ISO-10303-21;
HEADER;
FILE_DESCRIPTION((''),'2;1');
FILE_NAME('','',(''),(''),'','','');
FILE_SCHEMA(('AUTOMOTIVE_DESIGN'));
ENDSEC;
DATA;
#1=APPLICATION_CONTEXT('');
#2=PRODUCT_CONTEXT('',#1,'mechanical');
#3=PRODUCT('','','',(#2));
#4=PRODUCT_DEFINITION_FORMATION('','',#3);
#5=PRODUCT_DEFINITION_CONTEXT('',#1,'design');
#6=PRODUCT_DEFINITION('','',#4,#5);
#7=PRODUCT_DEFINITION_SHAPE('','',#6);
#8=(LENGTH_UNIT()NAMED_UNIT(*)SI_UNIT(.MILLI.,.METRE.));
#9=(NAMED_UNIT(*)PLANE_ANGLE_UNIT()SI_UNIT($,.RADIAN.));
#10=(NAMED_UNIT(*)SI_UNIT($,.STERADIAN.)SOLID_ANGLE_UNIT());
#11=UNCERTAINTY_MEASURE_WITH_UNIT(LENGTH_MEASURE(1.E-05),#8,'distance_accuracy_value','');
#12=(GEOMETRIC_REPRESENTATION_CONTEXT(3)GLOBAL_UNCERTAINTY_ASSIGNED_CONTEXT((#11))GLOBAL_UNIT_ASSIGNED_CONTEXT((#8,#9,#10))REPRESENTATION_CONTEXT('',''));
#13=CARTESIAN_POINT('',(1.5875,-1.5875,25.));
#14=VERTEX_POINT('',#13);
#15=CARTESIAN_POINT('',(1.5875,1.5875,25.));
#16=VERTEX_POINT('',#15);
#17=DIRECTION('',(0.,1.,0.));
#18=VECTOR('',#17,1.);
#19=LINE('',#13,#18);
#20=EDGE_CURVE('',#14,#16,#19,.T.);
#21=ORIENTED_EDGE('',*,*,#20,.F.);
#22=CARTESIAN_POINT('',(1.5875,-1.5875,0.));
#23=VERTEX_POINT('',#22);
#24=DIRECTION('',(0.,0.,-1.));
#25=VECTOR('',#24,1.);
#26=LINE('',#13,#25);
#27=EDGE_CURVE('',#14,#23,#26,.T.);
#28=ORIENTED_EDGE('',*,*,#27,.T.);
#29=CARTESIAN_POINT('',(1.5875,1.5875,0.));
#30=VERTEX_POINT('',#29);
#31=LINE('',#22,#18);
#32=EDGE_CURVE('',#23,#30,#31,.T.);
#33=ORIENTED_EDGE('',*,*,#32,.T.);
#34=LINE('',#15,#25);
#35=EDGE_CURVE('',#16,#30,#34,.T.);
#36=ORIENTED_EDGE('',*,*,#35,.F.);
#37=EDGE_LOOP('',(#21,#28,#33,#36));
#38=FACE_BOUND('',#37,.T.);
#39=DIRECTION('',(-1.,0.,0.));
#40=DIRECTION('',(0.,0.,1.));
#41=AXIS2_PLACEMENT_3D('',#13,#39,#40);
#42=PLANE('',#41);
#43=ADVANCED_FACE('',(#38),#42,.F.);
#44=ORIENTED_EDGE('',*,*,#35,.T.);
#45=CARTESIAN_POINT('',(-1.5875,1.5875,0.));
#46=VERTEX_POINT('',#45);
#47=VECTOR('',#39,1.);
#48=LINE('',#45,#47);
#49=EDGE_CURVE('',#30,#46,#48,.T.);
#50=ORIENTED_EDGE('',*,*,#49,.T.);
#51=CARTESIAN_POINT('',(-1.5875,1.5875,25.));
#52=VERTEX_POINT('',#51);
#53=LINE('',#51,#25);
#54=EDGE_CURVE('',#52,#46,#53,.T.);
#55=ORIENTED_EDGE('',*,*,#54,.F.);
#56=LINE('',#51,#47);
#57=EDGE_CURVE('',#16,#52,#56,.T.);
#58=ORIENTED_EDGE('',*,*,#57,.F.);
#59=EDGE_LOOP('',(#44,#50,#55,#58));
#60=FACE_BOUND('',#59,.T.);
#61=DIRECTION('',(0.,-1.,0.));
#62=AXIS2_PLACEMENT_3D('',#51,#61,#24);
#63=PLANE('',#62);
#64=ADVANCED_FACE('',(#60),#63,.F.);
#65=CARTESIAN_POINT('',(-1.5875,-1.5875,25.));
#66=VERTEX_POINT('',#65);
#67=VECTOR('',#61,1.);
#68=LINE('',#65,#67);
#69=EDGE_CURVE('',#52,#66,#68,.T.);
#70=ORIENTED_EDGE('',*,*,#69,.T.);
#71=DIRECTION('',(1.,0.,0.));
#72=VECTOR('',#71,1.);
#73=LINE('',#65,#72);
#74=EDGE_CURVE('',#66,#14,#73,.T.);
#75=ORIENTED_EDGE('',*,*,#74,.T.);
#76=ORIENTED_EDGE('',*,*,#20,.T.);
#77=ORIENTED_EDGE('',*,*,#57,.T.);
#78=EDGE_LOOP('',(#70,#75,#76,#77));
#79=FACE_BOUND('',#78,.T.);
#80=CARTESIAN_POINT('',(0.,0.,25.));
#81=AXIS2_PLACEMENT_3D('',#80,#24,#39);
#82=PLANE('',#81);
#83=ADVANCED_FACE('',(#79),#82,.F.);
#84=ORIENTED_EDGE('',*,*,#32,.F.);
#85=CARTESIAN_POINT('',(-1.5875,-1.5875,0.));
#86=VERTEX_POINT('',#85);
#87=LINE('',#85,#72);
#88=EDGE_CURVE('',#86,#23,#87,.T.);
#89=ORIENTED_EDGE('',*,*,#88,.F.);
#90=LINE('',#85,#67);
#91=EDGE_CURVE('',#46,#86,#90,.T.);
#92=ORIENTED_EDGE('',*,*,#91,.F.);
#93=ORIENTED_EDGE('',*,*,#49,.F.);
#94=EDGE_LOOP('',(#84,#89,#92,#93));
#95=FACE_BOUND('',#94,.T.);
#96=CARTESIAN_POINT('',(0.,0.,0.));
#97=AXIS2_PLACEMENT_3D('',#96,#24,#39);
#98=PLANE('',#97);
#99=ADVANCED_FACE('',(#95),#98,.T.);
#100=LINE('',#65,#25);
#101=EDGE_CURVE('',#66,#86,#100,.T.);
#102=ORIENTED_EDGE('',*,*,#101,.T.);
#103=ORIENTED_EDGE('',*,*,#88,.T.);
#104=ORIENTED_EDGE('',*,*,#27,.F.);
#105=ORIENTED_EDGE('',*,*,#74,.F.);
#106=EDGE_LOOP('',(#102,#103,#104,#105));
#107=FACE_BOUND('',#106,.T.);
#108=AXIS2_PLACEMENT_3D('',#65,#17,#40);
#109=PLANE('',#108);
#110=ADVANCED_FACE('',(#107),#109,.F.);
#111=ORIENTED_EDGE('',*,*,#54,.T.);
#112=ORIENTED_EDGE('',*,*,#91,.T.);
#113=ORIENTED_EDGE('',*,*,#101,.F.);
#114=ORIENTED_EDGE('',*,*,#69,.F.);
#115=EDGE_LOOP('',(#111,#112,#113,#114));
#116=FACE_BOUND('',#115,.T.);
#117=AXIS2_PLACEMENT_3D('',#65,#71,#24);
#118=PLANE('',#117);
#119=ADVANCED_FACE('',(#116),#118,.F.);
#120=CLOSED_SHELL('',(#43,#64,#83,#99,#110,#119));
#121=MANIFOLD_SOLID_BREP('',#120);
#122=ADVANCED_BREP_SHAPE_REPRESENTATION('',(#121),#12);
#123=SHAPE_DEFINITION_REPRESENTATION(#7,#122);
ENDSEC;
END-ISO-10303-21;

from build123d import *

# Parameters (mm, degrees)
SKETCH1_W           = 3.175
SKETCH1_H           = 3.175
BOSS_EXTRUDE1_DEPTH = 25


with BuildPart() as part:
    # Sketch1 → Boss-Extrude1 (new body)
    with BuildSketch(Plane.XY):
        Rectangle(SKETCH1_W, SKETCH1_H)
    extrude(amount=BOSS_EXTRUDE1_DEPTH)


solid = part.part
